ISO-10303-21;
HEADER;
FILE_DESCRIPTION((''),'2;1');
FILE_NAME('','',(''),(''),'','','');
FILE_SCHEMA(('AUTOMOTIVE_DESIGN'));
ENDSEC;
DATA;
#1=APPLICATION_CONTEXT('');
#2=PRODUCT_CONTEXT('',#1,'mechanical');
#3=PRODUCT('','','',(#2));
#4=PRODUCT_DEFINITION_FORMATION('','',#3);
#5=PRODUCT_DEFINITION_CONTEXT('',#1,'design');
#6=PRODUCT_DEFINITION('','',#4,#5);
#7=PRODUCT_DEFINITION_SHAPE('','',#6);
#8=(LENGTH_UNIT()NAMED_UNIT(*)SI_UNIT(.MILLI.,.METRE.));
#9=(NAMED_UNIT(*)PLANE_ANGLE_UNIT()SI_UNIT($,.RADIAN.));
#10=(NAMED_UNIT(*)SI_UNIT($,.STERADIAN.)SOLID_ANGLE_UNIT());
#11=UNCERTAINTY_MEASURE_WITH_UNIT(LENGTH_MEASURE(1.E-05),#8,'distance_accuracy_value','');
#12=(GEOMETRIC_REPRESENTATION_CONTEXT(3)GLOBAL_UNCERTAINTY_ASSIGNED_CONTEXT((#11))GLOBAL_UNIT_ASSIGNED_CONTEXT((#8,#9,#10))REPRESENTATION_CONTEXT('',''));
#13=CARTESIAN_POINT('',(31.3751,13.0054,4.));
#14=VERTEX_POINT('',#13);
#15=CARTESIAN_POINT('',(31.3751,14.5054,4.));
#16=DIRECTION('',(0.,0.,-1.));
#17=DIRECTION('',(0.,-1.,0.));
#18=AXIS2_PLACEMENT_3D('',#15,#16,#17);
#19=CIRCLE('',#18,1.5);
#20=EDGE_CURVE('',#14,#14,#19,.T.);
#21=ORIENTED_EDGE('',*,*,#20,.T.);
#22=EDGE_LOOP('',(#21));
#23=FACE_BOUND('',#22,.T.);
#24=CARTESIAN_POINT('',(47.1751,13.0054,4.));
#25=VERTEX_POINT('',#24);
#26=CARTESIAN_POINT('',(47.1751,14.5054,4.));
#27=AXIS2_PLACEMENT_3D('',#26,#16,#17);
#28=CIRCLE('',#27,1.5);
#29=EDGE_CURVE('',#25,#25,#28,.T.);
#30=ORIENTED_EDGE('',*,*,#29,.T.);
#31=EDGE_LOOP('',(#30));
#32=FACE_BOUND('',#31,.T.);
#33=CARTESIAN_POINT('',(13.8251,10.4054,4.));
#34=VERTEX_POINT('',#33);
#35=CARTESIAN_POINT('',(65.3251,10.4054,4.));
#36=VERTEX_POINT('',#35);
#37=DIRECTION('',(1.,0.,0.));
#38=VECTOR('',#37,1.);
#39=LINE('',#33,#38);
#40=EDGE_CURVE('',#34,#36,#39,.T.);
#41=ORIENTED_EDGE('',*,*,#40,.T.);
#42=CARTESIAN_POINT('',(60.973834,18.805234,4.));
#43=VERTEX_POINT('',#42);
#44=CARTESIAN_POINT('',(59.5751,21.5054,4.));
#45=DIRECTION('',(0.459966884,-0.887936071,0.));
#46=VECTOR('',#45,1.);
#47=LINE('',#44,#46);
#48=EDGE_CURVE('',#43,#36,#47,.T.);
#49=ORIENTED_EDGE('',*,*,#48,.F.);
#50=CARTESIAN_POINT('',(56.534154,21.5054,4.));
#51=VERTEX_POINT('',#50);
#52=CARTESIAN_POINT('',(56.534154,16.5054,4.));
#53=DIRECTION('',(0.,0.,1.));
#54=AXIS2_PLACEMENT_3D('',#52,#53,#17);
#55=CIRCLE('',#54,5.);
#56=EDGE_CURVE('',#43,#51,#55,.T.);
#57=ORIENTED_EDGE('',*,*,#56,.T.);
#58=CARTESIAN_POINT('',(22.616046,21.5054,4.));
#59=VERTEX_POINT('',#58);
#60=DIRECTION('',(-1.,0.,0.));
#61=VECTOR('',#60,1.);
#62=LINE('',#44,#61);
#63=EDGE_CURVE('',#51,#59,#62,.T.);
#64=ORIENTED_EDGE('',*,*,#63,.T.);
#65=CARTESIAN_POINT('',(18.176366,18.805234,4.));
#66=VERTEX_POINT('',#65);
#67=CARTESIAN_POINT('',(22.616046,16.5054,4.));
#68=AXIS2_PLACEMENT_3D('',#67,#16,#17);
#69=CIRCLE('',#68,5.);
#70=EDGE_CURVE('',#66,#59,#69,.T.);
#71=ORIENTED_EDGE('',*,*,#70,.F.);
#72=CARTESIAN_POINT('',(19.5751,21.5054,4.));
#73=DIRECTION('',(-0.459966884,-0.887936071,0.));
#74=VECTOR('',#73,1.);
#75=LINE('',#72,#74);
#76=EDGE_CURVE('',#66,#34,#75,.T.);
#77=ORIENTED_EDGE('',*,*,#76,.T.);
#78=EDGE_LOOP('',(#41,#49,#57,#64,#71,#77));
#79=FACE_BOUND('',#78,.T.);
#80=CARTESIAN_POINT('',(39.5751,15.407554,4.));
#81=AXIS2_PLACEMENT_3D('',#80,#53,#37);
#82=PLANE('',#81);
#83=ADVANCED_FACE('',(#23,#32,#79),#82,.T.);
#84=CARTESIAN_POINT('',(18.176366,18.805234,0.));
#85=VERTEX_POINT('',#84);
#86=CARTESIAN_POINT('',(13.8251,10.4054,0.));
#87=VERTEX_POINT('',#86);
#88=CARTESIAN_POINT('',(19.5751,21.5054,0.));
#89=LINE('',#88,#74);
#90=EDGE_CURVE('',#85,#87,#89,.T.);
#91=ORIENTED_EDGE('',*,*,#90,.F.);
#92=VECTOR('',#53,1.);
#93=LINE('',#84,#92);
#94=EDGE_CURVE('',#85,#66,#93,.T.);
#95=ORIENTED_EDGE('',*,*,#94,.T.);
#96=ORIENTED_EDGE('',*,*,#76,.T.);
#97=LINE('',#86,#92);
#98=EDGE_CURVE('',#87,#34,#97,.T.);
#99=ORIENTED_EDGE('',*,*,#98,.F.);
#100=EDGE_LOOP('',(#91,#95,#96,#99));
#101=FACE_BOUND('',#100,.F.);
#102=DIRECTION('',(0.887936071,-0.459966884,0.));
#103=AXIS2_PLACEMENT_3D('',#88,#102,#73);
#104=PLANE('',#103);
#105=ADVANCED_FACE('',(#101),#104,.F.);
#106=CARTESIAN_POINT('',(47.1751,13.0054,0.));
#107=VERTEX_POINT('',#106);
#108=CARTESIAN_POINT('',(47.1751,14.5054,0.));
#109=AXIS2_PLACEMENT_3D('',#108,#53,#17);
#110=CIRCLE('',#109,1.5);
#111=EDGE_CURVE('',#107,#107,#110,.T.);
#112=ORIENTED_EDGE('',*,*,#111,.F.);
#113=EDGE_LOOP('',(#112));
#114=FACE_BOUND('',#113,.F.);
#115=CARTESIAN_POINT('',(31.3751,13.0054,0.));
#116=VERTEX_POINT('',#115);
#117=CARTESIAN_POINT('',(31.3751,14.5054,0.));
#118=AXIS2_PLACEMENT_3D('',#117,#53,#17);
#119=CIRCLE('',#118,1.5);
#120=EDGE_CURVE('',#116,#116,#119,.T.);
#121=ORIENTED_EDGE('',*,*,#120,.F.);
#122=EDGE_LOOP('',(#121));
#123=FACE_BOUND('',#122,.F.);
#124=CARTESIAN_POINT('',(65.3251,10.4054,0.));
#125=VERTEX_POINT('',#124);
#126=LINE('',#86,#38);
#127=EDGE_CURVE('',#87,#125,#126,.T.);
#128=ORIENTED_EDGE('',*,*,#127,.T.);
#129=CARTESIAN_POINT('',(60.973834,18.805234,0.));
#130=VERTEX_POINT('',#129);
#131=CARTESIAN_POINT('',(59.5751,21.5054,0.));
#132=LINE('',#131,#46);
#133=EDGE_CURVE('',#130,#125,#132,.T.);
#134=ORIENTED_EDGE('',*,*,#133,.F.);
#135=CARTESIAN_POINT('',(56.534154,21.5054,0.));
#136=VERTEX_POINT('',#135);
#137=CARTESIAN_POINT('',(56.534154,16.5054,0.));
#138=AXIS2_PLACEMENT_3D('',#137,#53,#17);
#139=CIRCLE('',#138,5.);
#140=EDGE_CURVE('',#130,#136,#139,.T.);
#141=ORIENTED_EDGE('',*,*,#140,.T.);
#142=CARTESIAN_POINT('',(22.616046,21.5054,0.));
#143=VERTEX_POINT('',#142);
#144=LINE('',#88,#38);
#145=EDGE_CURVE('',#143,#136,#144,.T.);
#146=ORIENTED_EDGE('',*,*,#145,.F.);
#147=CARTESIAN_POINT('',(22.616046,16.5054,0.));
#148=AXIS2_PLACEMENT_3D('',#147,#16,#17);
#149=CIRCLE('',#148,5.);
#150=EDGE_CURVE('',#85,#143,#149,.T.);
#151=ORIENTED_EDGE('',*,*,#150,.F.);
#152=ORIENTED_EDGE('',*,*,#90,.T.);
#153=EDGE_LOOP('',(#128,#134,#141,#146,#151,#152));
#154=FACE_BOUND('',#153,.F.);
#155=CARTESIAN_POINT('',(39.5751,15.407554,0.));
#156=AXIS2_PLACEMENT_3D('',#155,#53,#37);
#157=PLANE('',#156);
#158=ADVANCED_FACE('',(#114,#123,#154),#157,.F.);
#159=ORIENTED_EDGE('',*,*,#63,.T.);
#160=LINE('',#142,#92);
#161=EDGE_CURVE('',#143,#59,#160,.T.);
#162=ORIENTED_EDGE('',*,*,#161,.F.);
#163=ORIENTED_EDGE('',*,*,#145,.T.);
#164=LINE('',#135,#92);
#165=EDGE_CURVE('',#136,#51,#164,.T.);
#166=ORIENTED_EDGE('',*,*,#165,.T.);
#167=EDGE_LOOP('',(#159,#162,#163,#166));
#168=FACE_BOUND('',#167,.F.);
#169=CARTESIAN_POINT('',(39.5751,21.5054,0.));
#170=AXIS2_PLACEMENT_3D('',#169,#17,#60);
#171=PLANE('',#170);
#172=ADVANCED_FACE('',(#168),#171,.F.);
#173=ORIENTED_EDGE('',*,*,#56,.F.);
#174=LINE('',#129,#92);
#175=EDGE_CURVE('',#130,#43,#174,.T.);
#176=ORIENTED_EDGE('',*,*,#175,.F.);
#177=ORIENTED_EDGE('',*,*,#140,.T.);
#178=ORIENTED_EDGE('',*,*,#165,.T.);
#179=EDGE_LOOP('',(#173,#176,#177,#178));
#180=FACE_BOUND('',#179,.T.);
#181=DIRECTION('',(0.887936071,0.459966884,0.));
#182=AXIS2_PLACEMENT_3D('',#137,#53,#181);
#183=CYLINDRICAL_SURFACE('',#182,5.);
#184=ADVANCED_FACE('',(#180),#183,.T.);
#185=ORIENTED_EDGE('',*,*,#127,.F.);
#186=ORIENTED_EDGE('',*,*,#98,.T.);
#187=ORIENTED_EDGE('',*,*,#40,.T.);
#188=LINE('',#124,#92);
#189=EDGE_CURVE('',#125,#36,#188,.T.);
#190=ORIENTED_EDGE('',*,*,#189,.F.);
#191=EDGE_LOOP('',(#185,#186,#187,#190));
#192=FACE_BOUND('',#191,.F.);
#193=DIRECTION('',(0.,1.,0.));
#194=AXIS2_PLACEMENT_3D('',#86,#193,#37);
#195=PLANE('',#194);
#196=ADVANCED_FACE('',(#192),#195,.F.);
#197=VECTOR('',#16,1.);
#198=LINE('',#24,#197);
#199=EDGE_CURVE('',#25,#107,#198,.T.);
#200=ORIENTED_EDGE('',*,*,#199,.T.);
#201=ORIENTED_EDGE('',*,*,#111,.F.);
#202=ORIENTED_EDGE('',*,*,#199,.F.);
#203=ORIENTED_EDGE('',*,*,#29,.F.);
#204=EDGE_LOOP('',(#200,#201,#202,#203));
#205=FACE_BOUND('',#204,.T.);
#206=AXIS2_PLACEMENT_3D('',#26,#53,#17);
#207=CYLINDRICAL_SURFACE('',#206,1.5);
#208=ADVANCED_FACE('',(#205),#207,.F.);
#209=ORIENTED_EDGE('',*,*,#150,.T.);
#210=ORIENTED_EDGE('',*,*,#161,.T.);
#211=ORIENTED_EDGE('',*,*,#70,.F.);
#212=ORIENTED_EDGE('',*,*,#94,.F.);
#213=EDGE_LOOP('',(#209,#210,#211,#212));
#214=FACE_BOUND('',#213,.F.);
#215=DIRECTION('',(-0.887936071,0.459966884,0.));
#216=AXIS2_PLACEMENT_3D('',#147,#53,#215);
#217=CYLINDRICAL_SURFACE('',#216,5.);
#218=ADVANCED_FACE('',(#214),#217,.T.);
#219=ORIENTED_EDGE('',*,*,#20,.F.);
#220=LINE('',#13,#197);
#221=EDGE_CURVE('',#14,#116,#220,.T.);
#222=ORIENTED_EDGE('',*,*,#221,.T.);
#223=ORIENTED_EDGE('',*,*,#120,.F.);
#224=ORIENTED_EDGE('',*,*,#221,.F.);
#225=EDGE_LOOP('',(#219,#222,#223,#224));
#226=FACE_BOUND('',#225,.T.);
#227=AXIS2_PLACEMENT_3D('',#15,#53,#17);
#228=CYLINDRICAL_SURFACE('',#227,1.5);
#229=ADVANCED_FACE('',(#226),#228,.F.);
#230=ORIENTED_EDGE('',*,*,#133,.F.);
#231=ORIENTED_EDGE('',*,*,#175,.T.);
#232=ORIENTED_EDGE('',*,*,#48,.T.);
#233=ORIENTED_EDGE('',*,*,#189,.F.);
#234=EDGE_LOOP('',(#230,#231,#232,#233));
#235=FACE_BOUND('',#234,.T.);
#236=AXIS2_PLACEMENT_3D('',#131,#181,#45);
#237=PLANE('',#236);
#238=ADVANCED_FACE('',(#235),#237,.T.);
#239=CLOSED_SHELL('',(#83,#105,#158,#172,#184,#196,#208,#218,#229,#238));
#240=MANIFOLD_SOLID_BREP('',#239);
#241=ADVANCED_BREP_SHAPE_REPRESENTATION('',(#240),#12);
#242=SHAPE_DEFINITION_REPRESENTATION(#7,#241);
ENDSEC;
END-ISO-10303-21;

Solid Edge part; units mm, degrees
sketch "Sketch1" plane through (0, 0, 0) normal (0, 0, 1) x (1, 0, 0)
  line L0 (13.8251, 10.4054) -> (65.3251, 10.4054)
  line L1 (59.5751, 21.5054) -> (65.3251, 10.4054)
  line L2 (39.5751, 21.5054) -> (59.5751, 21.5054)
  line L3 (39.5751, 21.5054) -> (19.5751, 21.5054)
  line L4 (19.5751, 21.5054) -> (13.8251, 10.4054)
extrude "Protrusion1" add sketch "Sketch1" along normal blind 4
hole "Furo_1" at (31.3751, 14.5054, 4) direction (0, 0, -1) diameter 3 end up to next
hole "Hole1" at (47.1751, 14.5054, 4) direction (0, 0, -1) diameter 3 end up to next
fillet "Redondo_1" radius 5 2 edges at (59.5751, 21.5054, 2) (19.5751, 21.5054, 2)
